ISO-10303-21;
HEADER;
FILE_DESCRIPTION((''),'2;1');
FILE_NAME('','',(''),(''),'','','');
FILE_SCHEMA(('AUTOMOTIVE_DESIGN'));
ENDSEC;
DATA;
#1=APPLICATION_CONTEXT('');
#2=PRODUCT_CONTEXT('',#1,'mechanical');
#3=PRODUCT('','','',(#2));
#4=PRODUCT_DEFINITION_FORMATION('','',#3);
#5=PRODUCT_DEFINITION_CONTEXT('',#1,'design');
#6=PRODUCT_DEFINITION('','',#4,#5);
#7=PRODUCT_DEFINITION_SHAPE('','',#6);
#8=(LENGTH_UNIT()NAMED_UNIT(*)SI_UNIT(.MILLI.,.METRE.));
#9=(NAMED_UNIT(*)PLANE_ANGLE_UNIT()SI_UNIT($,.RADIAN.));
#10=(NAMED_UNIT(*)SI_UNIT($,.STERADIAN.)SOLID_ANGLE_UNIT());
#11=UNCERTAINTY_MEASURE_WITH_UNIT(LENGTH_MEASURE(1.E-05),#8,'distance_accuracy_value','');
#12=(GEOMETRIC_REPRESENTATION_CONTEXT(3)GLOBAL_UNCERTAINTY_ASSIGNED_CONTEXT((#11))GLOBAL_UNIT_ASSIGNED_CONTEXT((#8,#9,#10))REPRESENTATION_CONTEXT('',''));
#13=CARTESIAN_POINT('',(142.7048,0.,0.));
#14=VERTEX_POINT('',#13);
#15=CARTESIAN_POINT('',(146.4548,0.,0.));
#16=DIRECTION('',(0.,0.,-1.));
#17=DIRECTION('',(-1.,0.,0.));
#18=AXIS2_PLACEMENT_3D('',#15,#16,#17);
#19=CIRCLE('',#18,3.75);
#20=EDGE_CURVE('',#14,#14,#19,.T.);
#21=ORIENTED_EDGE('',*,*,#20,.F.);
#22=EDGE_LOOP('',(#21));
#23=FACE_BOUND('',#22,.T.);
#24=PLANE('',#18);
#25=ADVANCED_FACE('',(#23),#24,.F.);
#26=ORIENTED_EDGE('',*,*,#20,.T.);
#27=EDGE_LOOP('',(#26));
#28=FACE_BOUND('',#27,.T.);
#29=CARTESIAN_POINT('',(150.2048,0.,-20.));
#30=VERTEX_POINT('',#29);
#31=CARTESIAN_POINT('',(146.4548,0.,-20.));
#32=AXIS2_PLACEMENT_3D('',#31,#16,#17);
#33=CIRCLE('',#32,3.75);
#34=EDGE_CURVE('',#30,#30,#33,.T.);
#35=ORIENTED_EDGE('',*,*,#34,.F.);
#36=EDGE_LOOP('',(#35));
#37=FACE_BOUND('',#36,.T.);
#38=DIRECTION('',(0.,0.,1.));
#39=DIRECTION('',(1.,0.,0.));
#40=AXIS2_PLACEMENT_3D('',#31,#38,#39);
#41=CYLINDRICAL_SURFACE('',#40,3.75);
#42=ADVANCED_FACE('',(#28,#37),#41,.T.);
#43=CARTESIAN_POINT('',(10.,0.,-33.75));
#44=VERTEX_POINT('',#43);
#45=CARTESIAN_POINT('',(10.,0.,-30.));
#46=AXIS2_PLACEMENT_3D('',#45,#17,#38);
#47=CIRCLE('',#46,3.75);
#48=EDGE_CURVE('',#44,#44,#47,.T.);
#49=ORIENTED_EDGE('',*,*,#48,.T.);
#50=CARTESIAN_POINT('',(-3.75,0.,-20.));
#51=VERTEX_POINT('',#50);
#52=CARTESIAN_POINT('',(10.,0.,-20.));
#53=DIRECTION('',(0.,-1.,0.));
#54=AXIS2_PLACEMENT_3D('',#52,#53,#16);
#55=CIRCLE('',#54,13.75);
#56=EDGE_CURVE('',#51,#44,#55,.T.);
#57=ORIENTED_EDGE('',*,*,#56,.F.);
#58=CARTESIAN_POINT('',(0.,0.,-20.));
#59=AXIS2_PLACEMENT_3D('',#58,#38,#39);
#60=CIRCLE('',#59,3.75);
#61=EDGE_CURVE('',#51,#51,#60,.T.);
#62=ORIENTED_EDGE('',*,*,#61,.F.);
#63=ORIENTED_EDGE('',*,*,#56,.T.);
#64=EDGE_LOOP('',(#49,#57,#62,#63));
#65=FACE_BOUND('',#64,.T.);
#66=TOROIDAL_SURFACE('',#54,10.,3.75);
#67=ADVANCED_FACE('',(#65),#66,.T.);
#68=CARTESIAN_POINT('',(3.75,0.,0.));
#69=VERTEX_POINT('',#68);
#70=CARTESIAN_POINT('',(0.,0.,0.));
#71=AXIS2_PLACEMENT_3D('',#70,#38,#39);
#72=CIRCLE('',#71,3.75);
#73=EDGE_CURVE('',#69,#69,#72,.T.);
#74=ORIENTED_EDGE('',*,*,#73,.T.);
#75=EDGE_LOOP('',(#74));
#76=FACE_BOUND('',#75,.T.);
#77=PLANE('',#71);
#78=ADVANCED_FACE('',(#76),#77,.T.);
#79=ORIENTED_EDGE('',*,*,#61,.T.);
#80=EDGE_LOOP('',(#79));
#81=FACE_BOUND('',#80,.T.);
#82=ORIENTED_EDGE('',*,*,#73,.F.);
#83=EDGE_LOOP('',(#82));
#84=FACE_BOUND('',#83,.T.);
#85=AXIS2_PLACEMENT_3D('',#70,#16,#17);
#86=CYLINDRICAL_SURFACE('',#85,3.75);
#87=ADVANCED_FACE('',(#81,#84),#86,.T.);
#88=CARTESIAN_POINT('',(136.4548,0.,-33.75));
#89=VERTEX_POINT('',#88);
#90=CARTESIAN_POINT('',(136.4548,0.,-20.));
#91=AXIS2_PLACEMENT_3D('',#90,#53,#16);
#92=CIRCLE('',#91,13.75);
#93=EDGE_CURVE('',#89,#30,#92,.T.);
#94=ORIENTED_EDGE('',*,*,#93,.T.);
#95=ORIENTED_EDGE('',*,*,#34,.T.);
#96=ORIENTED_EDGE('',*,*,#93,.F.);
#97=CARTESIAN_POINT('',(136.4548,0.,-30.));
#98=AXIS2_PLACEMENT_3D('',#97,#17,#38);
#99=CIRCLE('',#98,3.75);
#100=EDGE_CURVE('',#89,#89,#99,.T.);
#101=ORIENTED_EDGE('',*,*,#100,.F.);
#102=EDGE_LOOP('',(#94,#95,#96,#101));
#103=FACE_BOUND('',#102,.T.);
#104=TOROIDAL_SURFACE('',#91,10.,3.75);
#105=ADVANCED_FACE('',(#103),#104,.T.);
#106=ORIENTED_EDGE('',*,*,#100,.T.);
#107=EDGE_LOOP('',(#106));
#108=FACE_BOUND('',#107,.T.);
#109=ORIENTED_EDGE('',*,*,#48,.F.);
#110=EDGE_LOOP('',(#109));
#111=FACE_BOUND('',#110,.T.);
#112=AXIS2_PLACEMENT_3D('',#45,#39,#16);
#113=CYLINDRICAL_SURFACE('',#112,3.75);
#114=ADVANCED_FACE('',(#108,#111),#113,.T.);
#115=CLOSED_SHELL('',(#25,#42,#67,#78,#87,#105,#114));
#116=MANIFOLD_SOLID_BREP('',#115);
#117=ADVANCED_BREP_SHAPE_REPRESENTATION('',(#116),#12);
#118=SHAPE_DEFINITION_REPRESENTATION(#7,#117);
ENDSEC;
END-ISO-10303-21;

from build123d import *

# Parameters (mm, degrees)
CROQUIS2_R = 3.75


with BuildPart() as part:
    # Barrer1: sweep along a path in Croquis1
    with BuildLine(Plane(origin=(0, 0, 0), x_dir=(1, 0, 0), z_dir=(0, 1, 0))) as barrer1_path:
        Line((0, 0), (0, 20))
        ThreePointArc((0, 20), (2.928932188, 27.071067812), (10, 30))
        Line((10, 30), (136.4548, 30))
        ThreePointArc((136.4548, 30), (143.525867812, 27.071067812), (146.4548, 20))
        Line((146.4548, 20), (146.4548, 0))
    # Croquis2 → Barrer1 (sweep)
    with BuildSketch(Plane.XY):
        Circle(CROQUIS2_R)
    sweep(path=barrer1_path.line)


solid = part.part
